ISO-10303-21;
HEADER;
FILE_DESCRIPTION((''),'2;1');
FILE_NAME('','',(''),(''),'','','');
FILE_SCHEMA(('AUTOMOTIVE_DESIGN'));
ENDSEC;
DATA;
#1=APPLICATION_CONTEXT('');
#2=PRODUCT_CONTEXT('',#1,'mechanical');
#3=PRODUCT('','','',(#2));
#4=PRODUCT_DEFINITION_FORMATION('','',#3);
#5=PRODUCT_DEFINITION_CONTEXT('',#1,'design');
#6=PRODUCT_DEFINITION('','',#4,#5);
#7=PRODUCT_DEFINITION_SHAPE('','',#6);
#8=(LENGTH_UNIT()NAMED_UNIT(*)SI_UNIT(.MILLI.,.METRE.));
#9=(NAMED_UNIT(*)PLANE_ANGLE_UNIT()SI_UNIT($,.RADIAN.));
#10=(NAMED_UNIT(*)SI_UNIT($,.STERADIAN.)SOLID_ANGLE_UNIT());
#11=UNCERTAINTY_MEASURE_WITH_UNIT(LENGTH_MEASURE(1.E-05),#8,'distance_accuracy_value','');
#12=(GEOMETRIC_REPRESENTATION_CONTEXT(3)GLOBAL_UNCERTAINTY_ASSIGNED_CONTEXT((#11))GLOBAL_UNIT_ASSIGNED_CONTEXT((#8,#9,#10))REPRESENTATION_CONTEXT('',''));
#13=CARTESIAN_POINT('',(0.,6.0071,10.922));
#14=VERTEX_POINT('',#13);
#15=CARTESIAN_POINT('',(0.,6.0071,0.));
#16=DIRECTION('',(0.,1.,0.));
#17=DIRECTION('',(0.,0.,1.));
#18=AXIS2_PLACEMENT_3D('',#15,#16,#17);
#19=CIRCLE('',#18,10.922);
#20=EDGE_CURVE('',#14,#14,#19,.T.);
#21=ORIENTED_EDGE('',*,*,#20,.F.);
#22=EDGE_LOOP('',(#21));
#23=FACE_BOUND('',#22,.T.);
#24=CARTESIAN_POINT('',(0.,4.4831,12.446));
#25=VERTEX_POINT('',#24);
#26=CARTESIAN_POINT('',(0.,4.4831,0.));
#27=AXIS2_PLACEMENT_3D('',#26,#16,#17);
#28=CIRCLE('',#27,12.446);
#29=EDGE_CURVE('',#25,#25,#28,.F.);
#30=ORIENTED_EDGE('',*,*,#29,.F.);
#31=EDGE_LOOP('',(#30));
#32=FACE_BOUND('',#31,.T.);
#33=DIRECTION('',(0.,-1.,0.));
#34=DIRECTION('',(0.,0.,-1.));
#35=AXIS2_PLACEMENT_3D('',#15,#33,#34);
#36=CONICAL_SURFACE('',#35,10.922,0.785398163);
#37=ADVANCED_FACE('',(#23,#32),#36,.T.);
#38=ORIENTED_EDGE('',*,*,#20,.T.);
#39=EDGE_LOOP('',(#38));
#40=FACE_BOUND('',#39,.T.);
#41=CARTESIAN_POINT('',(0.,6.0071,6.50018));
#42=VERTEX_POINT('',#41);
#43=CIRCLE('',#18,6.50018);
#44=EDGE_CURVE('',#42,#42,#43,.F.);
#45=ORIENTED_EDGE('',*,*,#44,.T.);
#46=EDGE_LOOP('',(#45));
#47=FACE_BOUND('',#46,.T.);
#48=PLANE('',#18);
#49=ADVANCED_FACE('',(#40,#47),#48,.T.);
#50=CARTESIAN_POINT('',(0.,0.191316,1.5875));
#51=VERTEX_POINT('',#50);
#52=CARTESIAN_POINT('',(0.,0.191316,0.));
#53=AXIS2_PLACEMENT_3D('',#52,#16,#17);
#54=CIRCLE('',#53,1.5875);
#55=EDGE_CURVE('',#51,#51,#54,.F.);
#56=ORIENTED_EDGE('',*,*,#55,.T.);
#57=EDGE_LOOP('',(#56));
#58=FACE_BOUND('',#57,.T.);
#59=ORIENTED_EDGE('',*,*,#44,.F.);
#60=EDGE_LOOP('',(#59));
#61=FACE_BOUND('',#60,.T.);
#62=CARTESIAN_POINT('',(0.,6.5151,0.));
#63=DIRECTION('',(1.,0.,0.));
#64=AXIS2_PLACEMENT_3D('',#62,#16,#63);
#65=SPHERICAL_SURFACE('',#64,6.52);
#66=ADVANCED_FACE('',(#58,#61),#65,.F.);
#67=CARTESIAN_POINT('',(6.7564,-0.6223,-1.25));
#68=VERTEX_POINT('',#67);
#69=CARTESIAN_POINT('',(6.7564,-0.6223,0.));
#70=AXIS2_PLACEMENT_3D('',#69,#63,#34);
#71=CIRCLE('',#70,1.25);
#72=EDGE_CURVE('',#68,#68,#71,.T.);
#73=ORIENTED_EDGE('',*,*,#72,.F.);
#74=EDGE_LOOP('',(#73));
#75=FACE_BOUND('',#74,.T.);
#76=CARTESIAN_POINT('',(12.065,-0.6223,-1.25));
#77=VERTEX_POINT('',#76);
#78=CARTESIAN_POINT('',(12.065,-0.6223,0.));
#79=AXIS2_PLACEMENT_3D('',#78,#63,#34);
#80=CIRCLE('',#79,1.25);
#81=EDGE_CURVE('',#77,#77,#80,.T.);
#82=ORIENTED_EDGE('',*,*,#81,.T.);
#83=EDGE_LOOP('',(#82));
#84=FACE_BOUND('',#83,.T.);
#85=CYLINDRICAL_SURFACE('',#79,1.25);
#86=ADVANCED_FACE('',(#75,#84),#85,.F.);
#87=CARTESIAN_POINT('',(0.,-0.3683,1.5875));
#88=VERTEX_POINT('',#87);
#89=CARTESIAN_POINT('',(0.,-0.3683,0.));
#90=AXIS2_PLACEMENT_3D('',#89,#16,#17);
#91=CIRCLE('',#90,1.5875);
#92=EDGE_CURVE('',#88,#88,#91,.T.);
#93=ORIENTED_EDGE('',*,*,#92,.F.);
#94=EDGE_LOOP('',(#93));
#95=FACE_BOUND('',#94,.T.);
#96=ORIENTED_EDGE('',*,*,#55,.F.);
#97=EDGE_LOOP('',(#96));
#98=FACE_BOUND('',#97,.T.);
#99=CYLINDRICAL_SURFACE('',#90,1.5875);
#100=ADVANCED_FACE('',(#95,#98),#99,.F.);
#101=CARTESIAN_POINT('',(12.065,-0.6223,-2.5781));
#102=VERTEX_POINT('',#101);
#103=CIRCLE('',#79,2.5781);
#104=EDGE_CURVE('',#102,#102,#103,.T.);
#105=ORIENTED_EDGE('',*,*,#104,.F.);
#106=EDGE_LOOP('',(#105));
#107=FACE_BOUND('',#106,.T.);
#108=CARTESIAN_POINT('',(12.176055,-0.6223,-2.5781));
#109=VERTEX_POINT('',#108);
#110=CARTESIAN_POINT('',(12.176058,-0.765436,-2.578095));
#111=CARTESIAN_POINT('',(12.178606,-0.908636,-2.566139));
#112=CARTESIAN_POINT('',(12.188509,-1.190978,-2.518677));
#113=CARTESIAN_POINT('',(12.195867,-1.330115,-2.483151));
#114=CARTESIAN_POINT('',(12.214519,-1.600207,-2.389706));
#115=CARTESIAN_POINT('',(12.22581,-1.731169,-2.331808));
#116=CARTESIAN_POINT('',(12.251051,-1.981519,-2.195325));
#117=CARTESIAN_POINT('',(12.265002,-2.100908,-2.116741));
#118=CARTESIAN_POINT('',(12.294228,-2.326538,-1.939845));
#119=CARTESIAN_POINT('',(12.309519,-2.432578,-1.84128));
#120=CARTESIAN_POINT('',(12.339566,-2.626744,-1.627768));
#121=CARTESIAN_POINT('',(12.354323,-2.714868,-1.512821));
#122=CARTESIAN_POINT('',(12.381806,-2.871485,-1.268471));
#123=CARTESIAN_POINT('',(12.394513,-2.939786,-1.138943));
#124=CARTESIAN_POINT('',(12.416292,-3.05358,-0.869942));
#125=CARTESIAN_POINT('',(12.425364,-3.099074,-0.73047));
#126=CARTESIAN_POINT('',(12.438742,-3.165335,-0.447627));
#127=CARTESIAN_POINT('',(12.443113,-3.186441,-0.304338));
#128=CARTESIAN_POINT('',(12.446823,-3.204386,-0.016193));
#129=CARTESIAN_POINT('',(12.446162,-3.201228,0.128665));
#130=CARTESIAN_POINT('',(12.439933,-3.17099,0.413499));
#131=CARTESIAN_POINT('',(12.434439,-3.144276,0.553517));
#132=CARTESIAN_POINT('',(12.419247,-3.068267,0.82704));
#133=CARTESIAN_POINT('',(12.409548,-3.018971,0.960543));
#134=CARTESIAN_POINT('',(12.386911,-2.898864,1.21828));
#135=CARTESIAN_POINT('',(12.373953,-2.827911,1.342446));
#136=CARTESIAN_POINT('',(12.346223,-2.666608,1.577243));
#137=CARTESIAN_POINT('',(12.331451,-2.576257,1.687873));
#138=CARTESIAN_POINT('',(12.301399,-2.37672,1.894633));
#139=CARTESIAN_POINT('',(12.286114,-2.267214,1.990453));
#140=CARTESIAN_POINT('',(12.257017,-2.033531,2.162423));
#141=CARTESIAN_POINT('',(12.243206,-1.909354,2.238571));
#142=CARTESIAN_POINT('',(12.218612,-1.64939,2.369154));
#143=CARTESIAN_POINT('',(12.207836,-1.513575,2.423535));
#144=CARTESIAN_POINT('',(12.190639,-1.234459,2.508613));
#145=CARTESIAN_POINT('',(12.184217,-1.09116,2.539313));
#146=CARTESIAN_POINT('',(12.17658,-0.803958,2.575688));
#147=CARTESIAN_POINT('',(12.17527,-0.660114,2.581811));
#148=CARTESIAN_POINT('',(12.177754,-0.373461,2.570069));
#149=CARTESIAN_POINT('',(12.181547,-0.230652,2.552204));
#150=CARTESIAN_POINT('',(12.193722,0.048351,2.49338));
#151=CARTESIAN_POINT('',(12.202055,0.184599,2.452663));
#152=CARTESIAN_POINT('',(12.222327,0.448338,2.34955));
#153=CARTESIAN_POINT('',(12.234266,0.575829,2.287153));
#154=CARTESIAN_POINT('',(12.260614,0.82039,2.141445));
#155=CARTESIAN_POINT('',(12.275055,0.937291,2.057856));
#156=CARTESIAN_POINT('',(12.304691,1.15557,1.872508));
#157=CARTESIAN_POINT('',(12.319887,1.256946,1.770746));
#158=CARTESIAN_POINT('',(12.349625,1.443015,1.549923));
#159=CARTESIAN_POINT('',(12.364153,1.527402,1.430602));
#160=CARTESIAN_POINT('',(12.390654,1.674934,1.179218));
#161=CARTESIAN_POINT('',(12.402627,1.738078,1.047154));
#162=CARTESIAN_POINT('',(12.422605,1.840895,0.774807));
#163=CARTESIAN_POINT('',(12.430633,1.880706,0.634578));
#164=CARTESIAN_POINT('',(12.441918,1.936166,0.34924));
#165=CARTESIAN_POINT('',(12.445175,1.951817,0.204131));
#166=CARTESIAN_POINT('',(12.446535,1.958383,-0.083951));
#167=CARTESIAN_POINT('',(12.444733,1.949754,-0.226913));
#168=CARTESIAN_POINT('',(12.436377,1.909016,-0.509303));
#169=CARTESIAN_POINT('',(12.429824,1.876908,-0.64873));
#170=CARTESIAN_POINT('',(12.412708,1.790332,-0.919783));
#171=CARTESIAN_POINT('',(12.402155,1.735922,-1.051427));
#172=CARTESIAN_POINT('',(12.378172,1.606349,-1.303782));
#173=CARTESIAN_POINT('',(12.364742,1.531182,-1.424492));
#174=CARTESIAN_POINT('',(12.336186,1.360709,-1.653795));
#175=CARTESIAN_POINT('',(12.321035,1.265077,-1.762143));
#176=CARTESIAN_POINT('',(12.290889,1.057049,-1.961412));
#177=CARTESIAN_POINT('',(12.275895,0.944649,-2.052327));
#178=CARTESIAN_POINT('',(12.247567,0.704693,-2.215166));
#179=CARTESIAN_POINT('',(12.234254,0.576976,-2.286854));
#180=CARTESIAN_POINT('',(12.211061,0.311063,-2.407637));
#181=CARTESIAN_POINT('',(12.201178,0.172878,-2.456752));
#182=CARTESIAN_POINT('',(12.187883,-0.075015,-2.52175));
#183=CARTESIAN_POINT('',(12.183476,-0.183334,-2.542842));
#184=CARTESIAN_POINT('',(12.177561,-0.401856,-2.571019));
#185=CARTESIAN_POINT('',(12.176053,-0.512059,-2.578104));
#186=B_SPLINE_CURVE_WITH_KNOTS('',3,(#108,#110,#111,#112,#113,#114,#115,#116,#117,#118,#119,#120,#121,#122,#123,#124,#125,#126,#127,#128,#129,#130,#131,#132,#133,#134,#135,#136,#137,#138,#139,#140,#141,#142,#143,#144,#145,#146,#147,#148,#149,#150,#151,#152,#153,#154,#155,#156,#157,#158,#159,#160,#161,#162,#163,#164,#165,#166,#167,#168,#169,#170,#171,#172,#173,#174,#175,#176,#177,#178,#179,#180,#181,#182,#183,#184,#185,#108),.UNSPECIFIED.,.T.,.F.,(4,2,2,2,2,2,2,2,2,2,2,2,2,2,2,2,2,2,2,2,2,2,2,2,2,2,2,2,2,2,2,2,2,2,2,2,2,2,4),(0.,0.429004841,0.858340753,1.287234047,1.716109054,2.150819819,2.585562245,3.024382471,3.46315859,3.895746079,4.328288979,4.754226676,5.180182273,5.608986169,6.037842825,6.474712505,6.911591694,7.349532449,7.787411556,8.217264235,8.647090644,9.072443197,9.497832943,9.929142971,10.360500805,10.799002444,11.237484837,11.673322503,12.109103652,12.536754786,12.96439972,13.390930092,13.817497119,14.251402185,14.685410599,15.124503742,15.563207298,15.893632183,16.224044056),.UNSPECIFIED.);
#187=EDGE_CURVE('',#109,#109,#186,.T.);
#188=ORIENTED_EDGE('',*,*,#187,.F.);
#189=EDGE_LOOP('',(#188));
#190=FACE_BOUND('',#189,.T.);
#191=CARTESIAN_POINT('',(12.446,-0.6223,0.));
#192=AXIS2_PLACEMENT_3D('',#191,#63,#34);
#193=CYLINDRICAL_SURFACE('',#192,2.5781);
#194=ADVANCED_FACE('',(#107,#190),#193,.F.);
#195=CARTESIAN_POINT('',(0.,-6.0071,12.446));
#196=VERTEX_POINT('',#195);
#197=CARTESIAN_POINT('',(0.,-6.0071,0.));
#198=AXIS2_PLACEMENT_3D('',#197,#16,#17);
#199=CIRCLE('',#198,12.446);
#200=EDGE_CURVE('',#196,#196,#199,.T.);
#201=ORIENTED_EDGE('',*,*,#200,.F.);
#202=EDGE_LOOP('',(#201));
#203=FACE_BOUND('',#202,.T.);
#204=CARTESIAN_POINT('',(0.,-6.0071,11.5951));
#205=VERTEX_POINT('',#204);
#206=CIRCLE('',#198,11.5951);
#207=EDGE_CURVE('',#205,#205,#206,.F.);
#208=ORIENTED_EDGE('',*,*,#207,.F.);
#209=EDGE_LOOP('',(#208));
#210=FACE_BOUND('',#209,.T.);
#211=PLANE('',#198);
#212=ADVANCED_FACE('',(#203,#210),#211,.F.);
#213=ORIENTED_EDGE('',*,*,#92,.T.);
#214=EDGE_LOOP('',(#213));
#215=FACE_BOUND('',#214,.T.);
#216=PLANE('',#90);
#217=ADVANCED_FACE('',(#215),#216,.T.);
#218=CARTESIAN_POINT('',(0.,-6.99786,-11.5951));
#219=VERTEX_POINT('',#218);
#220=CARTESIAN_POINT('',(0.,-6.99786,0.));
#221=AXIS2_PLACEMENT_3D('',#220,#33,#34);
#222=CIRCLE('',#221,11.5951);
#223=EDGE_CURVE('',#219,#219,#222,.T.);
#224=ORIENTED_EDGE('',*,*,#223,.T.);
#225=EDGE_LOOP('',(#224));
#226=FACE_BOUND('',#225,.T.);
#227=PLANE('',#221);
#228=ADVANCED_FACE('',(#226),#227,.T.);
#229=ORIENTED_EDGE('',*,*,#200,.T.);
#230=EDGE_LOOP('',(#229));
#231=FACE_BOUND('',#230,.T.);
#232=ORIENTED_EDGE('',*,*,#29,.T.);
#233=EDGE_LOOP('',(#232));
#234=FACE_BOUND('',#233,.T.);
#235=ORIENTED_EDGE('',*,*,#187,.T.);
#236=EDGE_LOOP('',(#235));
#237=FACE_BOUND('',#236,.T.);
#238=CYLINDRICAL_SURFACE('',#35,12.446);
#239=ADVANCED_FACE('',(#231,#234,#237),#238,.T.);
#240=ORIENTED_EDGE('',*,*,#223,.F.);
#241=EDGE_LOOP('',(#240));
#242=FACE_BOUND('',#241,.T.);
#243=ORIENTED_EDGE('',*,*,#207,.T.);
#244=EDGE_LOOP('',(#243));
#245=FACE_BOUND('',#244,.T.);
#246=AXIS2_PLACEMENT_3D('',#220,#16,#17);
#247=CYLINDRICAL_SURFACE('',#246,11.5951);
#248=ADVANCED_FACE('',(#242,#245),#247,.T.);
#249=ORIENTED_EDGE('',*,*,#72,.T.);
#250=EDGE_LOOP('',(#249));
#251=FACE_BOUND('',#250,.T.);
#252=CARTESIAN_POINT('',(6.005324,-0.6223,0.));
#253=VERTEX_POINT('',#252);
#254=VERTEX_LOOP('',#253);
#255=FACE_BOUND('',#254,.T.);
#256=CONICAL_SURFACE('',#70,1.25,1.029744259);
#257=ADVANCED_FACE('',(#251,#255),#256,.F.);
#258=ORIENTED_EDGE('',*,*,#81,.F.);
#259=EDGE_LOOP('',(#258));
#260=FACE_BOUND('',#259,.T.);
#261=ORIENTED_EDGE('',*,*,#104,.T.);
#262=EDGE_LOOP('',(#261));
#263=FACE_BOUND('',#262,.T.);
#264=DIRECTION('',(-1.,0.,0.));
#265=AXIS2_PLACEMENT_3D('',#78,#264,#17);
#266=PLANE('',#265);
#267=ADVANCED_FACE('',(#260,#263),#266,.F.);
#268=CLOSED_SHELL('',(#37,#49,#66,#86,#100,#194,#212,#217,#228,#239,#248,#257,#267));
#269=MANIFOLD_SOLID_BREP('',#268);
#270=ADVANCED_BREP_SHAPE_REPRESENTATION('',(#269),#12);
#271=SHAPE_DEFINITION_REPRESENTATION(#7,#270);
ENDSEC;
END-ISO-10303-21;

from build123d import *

# Parameters (mm, degrees)
SKETCH1_R                          = 12.446
EXTRUDE1_DEPTH                     = 6.0071
CHAMFER1_SIZE                      = 1.524
SKETCH2_R                          = 11.5951
EXTRUDE2_DEPTH                     = 0.99076
SKETCH3_R                          = 1.5875
EXTRUDE3_DEPTH                     = 6.3754
F_5_16_0_3125_DIAMETER_HOLE2_D     = 5.1562
F_5_16_0_3125_DIAMETER_HOLE2_DEPTH = 0.381
M3X0_5_TAPPED_HOLE1_D              = 2.5
M3X0_5_TAPPED_HOLE1_DEPTH          = 5.3086
M3X0_5_TAPPED_HOLE1_TIP            = 0.751075774


with BuildPart() as part:
    # Sketch1 → Extrude1 (new body, symmetric)
    with BuildSketch(Plane(origin=(0, 0, 0), x_dir=(1, 0, 0), z_dir=(0, 1, 0))):
        with Locations(Location((0, 0, 0), (0, 0, 270))):  # turned: the seam where the file's is
            Circle(SKETCH1_R)
    extrude(amount=EXTRUDE1_DEPTH, both=True)

    # Chamfer1
    chamfer1_edges = [part.edges().sort_by_distance(p)[0] for p in [
        (0, 6.0071, -12.446),
    ]]
    chamfer(chamfer1_edges, length=CHAMFER1_SIZE)

    # Sketch2 → Extrude2 (add)
    with BuildSketch(Plane.XZ.offset(6.0071)):
        with Locations(Location((0, 0, 0), (0, 0, 90))):  # turned: the seam where the file's is
            Circle(SKETCH2_R)
    extrude(amount=EXTRUDE2_DEPTH)

    # Sketch3 → Extrude3 (cut)
    with BuildSketch(Plane(origin=(0, 6.0071, 0), x_dir=(1, 0, 0), z_dir=(0, 1, 0))):
        with Locations(Location((0, 0, 0), (0, 0, 270))):  # turned: the seam where the file's is
            Circle(SKETCH3_R)
    extrude(amount=-EXTRUDE3_DEPTH, mode=Mode.SUBTRACT)

    # Sketch4 → Cut-Revolve1 (revolve, cut)
    with BuildSketch(Plane.XY):
        with BuildLine():
            Line((0, 13.035099954), (0, -0.004899954))
            ThreePointArc((0, -0.004899954), (6.519999954, 6.5151), (0, 13.035099954))
        make_face()
    revolve(axis=Axis((0, 13.035099954, 0), (0, -1, 0)), mode=Mode.SUBTRACT)

    # 5/16 (0.3125) Diameter Hole2
    with Locations(Plane(origin=(12.446, 0, 0), x_dir=(0, 0, -1), z_dir=(1, 0, 0))):
        with Locations((0, -0.6223)):
            Hole(F_5_16_0_3125_DIAMETER_HOLE2_D / 2, depth=F_5_16_0_3125_DIAMETER_HOLE2_DEPTH)

    # M3x0.5 Tapped Hole1
    with Locations(Plane(origin=(12.065, 0, 0), x_dir=(0, 0, -1), z_dir=(1, 0, 0))):
        with Locations((0, -0.6223)):
            Hole(M3X0_5_TAPPED_HOLE1_D / 2, depth=M3X0_5_TAPPED_HOLE1_DEPTH)
            with Locations((0, 0, -(M3X0_5_TAPPED_HOLE1_DEPTH + M3X0_5_TAPPED_HOLE1_TIP / 2))):  # 118° drill point
                Cone(0, M3X0_5_TAPPED_HOLE1_D / 2, M3X0_5_TAPPED_HOLE1_TIP, mode=Mode.SUBTRACT)


solid = part.part
